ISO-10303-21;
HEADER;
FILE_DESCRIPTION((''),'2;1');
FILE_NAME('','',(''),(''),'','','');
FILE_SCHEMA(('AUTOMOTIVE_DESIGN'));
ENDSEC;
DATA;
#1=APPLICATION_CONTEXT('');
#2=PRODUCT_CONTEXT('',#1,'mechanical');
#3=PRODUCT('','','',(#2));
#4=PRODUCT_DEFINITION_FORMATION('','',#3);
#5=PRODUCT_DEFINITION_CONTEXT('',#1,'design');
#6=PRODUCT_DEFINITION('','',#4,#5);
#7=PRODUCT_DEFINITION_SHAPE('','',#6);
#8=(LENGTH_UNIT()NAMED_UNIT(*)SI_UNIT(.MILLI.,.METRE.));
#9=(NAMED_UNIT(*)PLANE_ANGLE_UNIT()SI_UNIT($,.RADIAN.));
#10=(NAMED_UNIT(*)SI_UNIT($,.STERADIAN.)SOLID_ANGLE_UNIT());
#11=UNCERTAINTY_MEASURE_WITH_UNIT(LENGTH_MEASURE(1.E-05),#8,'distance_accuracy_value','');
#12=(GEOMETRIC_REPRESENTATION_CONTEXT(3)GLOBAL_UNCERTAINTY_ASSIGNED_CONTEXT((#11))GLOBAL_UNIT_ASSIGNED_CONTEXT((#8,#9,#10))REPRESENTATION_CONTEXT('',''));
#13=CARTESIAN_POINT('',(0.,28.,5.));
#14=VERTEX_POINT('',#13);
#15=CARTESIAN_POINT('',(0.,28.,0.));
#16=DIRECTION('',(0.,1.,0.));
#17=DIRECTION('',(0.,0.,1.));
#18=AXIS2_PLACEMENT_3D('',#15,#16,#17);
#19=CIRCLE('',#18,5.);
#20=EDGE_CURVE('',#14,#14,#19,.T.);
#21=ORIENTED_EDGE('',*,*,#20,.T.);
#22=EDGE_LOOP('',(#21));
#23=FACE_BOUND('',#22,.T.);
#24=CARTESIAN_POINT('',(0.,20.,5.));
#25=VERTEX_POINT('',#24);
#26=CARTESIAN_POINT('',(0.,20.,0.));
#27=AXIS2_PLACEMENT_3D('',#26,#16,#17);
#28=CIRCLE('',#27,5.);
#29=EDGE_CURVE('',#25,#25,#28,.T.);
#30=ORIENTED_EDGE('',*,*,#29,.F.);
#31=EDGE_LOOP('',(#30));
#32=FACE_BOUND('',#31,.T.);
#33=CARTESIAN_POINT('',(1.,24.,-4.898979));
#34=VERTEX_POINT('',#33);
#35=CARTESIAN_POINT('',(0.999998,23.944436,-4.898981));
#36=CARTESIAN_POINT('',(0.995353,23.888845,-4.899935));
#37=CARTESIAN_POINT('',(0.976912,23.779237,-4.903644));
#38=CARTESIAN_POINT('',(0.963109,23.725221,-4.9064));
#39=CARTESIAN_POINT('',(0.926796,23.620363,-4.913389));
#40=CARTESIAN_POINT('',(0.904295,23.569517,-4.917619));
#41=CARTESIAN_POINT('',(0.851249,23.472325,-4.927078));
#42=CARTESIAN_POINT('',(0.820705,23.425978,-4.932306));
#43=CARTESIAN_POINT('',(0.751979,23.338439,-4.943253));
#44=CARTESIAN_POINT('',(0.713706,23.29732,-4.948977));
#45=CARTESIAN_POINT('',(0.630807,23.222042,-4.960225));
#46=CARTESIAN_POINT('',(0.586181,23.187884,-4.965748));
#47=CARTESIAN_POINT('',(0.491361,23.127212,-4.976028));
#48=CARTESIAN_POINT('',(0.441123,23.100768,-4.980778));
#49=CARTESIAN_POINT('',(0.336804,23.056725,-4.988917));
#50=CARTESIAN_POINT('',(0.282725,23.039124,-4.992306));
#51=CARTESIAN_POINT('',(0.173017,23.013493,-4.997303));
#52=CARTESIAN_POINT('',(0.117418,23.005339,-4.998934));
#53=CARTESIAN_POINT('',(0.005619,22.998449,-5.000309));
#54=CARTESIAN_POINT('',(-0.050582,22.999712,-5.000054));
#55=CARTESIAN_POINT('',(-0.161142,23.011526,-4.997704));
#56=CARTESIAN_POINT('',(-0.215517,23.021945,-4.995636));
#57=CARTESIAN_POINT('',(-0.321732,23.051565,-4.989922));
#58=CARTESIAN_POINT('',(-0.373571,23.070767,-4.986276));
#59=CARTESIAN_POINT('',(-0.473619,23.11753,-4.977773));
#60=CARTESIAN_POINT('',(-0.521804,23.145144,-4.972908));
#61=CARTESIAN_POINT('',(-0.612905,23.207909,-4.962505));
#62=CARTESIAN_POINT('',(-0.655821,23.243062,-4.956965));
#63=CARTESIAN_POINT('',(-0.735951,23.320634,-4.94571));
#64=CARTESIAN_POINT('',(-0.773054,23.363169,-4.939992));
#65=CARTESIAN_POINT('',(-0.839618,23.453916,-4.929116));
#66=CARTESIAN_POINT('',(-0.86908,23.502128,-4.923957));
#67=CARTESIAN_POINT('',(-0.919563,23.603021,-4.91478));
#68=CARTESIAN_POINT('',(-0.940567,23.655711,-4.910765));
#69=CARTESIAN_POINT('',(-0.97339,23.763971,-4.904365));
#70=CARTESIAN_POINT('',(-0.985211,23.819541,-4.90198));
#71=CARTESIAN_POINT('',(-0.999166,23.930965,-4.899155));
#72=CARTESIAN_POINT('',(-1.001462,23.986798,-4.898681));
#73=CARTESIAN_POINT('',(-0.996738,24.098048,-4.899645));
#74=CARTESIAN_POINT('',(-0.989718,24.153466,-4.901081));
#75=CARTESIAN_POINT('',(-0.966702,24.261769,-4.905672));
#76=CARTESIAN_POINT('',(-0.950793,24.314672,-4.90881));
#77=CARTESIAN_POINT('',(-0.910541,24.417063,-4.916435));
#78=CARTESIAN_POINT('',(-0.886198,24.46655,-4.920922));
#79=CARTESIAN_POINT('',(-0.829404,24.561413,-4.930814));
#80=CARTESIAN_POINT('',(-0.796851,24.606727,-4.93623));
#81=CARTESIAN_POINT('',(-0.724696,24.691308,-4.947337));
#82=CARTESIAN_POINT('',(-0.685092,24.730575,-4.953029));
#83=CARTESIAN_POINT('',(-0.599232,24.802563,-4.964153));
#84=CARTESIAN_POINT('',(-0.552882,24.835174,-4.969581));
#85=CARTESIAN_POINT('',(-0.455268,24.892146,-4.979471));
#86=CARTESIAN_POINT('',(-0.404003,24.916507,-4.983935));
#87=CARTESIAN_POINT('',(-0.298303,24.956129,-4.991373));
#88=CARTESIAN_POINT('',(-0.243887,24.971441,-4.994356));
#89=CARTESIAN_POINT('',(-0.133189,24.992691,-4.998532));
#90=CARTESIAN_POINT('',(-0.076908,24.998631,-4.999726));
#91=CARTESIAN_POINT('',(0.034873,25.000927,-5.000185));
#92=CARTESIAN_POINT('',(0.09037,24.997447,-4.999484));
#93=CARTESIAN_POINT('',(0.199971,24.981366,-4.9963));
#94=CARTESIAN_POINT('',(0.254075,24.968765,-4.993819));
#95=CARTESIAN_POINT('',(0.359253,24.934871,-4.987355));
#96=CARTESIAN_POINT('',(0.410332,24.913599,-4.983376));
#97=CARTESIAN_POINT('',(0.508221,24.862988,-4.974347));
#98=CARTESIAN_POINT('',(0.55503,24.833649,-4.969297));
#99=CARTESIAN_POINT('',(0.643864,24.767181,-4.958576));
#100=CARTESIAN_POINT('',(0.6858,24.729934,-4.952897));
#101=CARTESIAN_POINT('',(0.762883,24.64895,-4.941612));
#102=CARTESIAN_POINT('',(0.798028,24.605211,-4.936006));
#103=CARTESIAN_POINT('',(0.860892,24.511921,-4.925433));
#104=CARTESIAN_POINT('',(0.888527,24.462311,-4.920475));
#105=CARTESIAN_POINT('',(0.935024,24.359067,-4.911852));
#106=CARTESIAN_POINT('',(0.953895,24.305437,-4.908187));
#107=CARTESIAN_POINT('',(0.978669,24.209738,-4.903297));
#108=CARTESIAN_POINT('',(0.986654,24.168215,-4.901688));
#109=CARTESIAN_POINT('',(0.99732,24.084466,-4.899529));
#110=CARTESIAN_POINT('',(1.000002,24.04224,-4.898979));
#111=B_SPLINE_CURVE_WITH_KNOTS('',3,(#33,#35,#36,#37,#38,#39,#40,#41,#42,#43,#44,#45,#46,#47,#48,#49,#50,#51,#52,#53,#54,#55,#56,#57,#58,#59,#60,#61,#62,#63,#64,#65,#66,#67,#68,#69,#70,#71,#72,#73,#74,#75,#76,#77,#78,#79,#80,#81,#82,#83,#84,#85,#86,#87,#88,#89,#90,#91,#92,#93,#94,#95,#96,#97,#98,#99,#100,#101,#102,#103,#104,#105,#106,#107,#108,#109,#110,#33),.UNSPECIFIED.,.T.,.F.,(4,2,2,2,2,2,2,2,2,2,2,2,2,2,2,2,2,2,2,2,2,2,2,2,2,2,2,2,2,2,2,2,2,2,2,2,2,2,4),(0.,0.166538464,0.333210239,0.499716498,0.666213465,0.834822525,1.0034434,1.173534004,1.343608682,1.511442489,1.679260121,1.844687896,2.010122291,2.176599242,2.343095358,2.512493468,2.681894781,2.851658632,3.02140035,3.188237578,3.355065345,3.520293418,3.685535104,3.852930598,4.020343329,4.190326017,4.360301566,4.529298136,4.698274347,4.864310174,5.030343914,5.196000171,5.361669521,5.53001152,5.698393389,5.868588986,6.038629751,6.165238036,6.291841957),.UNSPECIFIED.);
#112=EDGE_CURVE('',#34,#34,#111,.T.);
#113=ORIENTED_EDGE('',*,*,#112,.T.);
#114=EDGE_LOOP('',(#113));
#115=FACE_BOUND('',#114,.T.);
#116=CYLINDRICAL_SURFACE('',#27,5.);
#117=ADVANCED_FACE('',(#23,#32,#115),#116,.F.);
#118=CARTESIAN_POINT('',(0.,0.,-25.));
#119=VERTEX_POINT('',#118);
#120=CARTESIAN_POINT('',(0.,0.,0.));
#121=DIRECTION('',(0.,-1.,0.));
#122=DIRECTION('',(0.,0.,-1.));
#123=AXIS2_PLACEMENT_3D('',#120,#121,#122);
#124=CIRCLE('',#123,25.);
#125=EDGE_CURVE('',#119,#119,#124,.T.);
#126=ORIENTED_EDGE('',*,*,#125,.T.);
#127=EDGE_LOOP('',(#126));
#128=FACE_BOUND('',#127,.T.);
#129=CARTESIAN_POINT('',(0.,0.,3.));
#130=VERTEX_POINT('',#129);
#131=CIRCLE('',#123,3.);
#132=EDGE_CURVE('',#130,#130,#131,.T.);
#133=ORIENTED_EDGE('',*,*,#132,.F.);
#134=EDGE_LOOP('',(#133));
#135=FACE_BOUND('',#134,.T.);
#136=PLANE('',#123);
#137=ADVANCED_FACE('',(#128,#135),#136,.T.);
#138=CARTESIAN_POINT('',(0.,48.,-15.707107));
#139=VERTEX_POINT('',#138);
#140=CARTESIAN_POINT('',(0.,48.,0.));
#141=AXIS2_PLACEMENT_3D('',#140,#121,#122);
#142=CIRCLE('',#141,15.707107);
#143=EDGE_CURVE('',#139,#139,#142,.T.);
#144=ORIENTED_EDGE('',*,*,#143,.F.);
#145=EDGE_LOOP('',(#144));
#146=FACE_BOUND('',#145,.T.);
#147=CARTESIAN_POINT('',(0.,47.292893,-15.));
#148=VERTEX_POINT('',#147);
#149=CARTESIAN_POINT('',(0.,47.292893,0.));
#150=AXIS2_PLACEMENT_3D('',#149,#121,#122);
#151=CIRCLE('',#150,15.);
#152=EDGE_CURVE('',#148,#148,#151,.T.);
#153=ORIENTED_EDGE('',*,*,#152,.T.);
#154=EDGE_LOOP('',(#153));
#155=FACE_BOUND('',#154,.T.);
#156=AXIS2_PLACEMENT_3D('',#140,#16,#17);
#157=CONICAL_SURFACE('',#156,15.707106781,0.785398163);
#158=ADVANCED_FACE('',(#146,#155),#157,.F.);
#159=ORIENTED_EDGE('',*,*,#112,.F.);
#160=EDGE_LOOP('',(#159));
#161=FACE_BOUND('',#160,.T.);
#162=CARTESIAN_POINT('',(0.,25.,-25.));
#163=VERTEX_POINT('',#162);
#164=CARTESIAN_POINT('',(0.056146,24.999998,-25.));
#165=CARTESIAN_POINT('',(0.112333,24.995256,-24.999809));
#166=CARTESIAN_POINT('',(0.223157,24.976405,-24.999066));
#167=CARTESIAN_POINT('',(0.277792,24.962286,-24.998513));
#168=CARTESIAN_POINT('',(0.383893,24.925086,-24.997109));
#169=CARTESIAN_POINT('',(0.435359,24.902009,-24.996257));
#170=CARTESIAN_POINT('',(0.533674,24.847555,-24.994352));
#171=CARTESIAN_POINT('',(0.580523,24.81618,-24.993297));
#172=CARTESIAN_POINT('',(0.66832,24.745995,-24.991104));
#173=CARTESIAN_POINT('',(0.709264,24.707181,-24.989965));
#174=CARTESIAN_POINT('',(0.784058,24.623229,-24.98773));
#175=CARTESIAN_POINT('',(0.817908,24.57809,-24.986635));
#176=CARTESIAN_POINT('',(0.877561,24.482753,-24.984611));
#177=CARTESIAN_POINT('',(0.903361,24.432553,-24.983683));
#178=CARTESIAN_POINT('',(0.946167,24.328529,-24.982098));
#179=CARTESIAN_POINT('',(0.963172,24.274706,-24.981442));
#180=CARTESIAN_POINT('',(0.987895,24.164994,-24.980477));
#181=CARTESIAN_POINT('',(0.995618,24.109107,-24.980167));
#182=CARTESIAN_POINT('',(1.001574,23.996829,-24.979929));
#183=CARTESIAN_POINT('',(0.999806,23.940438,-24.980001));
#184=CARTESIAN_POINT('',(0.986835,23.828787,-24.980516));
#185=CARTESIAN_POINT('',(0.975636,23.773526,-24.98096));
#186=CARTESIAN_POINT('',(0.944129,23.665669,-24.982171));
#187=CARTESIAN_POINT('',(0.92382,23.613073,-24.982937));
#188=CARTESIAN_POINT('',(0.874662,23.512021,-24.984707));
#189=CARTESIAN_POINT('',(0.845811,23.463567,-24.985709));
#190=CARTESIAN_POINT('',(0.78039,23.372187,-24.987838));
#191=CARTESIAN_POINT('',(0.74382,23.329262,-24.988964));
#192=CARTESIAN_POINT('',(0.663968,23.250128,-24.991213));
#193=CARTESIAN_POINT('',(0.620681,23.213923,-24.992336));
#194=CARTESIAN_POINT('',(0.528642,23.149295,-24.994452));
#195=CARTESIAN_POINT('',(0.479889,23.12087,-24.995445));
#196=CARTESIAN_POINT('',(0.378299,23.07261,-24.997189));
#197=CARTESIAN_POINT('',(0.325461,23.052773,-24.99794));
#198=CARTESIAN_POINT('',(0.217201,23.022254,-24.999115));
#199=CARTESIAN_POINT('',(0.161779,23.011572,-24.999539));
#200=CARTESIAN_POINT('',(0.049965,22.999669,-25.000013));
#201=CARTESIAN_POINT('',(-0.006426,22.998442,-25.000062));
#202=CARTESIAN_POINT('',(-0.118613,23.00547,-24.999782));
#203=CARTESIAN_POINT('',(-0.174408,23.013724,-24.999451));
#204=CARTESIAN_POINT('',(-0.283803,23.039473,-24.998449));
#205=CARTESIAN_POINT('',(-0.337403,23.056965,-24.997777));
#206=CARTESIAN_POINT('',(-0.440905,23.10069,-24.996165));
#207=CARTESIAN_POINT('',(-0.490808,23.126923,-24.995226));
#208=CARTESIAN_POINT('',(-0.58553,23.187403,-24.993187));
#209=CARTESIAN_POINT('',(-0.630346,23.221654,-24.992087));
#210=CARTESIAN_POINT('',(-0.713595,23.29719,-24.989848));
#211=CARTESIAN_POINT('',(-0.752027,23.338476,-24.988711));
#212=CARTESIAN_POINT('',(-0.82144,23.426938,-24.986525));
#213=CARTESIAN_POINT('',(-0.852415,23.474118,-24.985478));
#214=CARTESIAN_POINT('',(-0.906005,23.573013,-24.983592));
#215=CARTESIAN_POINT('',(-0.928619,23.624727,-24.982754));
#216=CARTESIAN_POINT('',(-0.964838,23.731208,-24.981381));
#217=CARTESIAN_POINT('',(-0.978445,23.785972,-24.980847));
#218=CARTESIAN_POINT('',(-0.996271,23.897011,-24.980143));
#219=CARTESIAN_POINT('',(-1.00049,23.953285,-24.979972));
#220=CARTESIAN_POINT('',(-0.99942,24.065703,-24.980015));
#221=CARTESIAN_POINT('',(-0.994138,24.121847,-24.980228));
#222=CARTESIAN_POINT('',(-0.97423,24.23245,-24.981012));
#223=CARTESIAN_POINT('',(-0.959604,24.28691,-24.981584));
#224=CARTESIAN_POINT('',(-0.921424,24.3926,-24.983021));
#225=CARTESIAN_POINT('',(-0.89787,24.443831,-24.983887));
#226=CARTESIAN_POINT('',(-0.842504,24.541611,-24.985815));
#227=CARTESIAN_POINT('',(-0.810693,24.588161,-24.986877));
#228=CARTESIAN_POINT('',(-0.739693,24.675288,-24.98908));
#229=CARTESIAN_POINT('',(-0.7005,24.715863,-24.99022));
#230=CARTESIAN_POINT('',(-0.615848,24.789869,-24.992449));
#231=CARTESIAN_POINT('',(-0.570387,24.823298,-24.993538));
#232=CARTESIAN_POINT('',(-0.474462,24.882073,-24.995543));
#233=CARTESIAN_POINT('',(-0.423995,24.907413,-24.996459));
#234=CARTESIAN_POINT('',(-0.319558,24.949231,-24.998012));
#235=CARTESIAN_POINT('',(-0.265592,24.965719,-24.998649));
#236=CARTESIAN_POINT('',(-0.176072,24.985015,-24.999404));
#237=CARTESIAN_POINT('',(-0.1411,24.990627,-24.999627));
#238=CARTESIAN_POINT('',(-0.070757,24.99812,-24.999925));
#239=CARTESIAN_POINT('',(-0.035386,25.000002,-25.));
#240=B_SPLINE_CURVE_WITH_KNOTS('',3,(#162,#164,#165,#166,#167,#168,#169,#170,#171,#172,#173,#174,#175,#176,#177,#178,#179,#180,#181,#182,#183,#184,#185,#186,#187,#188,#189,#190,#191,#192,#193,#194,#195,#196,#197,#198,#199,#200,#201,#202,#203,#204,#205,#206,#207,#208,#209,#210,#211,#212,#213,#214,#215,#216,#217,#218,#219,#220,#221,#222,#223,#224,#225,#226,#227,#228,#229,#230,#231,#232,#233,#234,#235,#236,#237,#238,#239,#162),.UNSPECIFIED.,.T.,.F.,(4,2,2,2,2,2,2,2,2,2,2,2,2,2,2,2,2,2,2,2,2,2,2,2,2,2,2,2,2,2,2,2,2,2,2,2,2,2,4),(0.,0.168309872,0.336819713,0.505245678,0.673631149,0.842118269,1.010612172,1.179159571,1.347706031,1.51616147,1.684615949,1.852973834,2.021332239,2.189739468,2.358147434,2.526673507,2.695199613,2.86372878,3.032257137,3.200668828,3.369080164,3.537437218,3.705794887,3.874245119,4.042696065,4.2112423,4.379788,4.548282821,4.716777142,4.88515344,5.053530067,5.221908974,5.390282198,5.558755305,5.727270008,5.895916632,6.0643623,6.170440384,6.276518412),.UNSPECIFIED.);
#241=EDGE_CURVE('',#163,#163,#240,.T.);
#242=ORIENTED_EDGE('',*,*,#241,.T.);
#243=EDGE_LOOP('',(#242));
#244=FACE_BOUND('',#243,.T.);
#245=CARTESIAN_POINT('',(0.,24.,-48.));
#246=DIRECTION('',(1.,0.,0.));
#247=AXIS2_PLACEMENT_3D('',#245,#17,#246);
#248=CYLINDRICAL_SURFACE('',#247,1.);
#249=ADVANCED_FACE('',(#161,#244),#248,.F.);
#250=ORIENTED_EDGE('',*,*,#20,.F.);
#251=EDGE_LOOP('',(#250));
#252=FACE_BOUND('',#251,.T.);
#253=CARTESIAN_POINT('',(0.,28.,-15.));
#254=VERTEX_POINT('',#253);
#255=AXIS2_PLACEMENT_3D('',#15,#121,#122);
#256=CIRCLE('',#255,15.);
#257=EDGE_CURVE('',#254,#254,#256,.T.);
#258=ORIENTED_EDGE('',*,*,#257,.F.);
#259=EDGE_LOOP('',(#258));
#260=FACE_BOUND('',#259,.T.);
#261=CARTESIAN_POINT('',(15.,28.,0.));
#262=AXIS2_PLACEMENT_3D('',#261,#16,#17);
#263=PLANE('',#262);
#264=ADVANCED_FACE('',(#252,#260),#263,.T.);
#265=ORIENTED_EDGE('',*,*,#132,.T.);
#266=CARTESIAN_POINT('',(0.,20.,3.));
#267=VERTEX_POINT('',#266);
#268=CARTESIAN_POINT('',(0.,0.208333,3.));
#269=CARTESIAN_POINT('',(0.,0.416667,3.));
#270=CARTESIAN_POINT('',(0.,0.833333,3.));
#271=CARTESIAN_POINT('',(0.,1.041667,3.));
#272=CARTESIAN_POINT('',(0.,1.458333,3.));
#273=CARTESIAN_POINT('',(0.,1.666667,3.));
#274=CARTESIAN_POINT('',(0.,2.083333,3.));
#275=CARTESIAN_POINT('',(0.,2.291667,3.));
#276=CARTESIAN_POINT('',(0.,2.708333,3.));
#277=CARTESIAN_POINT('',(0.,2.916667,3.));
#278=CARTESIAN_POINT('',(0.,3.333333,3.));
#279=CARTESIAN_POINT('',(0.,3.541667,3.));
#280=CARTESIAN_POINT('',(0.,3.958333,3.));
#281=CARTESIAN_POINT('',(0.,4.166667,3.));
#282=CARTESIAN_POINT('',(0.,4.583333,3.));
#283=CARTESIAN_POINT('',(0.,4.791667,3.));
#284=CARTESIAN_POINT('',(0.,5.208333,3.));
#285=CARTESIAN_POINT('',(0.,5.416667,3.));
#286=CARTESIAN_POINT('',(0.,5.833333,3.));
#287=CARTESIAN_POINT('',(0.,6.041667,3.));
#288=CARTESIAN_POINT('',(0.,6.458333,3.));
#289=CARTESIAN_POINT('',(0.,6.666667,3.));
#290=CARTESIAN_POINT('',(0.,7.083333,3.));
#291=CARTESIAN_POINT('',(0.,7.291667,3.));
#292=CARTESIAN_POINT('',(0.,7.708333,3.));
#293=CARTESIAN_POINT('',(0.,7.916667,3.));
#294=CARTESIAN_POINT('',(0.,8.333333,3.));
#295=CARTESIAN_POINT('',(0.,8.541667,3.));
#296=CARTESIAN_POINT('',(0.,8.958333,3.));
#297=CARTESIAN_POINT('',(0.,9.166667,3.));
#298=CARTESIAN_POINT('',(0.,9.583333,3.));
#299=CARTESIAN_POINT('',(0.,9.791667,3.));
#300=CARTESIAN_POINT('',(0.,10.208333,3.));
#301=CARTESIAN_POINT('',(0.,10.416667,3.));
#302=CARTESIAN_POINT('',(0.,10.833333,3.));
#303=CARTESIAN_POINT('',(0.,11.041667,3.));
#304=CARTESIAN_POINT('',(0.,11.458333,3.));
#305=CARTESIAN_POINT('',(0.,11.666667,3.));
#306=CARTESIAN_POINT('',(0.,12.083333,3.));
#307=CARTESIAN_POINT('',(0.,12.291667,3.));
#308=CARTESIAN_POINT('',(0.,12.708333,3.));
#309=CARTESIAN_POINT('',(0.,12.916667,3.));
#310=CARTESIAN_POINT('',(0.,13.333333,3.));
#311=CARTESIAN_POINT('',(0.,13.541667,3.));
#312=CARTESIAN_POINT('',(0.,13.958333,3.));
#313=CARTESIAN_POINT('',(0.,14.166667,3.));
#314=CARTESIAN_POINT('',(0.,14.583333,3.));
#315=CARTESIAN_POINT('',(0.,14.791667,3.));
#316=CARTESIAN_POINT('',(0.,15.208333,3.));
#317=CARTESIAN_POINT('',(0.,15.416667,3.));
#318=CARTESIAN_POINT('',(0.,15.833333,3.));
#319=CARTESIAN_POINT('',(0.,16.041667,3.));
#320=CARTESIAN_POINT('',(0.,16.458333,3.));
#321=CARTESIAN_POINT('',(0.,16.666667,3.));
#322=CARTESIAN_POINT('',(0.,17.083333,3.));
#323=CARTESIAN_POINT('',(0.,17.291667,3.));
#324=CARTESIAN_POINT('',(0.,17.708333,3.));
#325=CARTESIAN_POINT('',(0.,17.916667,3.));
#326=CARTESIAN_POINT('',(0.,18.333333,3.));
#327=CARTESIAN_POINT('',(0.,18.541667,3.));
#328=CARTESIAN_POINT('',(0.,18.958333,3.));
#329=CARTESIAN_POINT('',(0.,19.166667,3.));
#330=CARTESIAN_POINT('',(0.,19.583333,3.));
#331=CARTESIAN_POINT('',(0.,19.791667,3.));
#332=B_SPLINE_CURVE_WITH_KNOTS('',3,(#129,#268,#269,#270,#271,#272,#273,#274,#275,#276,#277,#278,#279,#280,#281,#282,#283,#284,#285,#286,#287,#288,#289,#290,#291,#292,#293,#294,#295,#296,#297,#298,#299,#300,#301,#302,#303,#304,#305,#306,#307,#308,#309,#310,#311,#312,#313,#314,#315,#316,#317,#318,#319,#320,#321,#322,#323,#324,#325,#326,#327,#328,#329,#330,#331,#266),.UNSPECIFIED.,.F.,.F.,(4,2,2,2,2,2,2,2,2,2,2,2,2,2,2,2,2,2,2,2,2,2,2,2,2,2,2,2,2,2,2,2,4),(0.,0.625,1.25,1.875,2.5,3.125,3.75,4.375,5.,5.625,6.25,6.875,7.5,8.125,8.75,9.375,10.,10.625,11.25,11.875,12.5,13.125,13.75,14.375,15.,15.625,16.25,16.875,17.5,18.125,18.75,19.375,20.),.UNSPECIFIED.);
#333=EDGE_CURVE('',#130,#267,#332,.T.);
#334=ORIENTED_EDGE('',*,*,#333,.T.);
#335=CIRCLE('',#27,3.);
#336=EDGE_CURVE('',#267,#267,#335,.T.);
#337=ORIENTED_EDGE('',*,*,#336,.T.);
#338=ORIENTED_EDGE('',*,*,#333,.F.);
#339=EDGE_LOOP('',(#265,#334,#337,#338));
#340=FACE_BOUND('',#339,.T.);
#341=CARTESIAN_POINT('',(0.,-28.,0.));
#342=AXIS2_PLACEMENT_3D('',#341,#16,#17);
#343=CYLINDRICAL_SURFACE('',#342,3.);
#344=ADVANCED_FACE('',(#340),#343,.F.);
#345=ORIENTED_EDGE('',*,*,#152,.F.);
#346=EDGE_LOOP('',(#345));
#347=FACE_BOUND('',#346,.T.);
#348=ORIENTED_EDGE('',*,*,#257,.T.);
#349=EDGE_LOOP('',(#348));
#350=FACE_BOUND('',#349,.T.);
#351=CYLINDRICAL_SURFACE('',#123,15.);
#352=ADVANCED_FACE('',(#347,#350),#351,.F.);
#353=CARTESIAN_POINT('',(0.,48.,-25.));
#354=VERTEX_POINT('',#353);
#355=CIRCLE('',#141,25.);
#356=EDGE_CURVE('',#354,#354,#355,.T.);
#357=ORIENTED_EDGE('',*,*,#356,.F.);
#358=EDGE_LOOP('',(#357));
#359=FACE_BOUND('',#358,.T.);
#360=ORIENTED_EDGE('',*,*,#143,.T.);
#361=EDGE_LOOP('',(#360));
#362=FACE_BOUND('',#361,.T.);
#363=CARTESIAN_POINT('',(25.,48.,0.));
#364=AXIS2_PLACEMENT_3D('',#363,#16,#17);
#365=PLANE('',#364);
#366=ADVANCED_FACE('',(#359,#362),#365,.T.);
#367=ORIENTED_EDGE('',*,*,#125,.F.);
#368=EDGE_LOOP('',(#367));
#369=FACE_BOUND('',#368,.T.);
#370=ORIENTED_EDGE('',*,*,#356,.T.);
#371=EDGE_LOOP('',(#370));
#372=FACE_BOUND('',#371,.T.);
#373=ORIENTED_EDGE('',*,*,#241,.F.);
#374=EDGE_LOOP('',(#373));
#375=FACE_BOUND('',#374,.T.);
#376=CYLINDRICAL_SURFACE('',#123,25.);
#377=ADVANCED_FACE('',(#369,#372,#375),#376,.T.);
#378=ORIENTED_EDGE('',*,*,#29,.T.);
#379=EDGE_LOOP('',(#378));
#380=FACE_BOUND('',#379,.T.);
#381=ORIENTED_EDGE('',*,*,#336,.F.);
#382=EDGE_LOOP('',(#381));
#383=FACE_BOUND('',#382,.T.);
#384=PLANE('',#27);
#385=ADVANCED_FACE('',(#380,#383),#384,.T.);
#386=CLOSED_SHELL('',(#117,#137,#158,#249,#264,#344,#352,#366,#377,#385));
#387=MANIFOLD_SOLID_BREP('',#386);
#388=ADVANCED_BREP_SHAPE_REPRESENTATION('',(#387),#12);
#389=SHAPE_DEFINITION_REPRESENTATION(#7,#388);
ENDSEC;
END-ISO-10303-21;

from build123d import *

# Parameters (mm, degrees)
SKETCH4_R          = 5
CUT_EXTRUDE1_DEPTH = 8
SKETCH5_R          = 3
CUT_EXTRUDE2_DEPTH = 48
SKETCH6_R          = 1
CUT_EXTRUDE3_DEPTH = 48


with BuildPart() as part:
    # Sketch2 → Revolve1 (revolve)
    with BuildSketch(Plane.XY, mode=Mode.PRIVATE) as revolve1_sk:
        Polygon((0, 0), (25, 0), (25, 3.419684485), (25, 48), (15.707106781, 48), (15, 47.292893219), (15, 28), (0, 28), align=None)
    revolve(revolve1_sk.sketch.rotate(Axis((0, 0, 0), (0, 1, 0)), 90), axis=Axis((0, 0, 0), (0, 1, 0)))

    # Sketch4 → Cut-Extrude1 (cut)
    with BuildSketch(Plane(origin=(0, 28, 0), x_dir=(1, 0, 0), z_dir=(0, 1, 0))):
        with Locations(Location((0, 0, 0), (0, 0, 270))):
            Circle(SKETCH4_R)
    extrude(amount=-CUT_EXTRUDE1_DEPTH, mode=Mode.SUBTRACT)

    # Sketch5 → Cut-Extrude2 (cut)
    with BuildSketch(Plane(origin=(0, 20, 0), x_dir=(1, 0, 0), z_dir=(0, 1, 0))):
        with Locations(Location((0, 0, 0), (0, 0, 270))):
            Circle(SKETCH5_R)
    extrude(amount=-CUT_EXTRUDE2_DEPTH, mode=Mode.SUBTRACT)

    # Sketch6 → Cut-Extrude3 (cut)
    with BuildSketch(Plane.XY):
        with Locations((0, 24)):
            Circle(SKETCH6_R)
    extrude(amount=-CUT_EXTRUDE3_DEPTH, mode=Mode.SUBTRACT)


solid = part.part
